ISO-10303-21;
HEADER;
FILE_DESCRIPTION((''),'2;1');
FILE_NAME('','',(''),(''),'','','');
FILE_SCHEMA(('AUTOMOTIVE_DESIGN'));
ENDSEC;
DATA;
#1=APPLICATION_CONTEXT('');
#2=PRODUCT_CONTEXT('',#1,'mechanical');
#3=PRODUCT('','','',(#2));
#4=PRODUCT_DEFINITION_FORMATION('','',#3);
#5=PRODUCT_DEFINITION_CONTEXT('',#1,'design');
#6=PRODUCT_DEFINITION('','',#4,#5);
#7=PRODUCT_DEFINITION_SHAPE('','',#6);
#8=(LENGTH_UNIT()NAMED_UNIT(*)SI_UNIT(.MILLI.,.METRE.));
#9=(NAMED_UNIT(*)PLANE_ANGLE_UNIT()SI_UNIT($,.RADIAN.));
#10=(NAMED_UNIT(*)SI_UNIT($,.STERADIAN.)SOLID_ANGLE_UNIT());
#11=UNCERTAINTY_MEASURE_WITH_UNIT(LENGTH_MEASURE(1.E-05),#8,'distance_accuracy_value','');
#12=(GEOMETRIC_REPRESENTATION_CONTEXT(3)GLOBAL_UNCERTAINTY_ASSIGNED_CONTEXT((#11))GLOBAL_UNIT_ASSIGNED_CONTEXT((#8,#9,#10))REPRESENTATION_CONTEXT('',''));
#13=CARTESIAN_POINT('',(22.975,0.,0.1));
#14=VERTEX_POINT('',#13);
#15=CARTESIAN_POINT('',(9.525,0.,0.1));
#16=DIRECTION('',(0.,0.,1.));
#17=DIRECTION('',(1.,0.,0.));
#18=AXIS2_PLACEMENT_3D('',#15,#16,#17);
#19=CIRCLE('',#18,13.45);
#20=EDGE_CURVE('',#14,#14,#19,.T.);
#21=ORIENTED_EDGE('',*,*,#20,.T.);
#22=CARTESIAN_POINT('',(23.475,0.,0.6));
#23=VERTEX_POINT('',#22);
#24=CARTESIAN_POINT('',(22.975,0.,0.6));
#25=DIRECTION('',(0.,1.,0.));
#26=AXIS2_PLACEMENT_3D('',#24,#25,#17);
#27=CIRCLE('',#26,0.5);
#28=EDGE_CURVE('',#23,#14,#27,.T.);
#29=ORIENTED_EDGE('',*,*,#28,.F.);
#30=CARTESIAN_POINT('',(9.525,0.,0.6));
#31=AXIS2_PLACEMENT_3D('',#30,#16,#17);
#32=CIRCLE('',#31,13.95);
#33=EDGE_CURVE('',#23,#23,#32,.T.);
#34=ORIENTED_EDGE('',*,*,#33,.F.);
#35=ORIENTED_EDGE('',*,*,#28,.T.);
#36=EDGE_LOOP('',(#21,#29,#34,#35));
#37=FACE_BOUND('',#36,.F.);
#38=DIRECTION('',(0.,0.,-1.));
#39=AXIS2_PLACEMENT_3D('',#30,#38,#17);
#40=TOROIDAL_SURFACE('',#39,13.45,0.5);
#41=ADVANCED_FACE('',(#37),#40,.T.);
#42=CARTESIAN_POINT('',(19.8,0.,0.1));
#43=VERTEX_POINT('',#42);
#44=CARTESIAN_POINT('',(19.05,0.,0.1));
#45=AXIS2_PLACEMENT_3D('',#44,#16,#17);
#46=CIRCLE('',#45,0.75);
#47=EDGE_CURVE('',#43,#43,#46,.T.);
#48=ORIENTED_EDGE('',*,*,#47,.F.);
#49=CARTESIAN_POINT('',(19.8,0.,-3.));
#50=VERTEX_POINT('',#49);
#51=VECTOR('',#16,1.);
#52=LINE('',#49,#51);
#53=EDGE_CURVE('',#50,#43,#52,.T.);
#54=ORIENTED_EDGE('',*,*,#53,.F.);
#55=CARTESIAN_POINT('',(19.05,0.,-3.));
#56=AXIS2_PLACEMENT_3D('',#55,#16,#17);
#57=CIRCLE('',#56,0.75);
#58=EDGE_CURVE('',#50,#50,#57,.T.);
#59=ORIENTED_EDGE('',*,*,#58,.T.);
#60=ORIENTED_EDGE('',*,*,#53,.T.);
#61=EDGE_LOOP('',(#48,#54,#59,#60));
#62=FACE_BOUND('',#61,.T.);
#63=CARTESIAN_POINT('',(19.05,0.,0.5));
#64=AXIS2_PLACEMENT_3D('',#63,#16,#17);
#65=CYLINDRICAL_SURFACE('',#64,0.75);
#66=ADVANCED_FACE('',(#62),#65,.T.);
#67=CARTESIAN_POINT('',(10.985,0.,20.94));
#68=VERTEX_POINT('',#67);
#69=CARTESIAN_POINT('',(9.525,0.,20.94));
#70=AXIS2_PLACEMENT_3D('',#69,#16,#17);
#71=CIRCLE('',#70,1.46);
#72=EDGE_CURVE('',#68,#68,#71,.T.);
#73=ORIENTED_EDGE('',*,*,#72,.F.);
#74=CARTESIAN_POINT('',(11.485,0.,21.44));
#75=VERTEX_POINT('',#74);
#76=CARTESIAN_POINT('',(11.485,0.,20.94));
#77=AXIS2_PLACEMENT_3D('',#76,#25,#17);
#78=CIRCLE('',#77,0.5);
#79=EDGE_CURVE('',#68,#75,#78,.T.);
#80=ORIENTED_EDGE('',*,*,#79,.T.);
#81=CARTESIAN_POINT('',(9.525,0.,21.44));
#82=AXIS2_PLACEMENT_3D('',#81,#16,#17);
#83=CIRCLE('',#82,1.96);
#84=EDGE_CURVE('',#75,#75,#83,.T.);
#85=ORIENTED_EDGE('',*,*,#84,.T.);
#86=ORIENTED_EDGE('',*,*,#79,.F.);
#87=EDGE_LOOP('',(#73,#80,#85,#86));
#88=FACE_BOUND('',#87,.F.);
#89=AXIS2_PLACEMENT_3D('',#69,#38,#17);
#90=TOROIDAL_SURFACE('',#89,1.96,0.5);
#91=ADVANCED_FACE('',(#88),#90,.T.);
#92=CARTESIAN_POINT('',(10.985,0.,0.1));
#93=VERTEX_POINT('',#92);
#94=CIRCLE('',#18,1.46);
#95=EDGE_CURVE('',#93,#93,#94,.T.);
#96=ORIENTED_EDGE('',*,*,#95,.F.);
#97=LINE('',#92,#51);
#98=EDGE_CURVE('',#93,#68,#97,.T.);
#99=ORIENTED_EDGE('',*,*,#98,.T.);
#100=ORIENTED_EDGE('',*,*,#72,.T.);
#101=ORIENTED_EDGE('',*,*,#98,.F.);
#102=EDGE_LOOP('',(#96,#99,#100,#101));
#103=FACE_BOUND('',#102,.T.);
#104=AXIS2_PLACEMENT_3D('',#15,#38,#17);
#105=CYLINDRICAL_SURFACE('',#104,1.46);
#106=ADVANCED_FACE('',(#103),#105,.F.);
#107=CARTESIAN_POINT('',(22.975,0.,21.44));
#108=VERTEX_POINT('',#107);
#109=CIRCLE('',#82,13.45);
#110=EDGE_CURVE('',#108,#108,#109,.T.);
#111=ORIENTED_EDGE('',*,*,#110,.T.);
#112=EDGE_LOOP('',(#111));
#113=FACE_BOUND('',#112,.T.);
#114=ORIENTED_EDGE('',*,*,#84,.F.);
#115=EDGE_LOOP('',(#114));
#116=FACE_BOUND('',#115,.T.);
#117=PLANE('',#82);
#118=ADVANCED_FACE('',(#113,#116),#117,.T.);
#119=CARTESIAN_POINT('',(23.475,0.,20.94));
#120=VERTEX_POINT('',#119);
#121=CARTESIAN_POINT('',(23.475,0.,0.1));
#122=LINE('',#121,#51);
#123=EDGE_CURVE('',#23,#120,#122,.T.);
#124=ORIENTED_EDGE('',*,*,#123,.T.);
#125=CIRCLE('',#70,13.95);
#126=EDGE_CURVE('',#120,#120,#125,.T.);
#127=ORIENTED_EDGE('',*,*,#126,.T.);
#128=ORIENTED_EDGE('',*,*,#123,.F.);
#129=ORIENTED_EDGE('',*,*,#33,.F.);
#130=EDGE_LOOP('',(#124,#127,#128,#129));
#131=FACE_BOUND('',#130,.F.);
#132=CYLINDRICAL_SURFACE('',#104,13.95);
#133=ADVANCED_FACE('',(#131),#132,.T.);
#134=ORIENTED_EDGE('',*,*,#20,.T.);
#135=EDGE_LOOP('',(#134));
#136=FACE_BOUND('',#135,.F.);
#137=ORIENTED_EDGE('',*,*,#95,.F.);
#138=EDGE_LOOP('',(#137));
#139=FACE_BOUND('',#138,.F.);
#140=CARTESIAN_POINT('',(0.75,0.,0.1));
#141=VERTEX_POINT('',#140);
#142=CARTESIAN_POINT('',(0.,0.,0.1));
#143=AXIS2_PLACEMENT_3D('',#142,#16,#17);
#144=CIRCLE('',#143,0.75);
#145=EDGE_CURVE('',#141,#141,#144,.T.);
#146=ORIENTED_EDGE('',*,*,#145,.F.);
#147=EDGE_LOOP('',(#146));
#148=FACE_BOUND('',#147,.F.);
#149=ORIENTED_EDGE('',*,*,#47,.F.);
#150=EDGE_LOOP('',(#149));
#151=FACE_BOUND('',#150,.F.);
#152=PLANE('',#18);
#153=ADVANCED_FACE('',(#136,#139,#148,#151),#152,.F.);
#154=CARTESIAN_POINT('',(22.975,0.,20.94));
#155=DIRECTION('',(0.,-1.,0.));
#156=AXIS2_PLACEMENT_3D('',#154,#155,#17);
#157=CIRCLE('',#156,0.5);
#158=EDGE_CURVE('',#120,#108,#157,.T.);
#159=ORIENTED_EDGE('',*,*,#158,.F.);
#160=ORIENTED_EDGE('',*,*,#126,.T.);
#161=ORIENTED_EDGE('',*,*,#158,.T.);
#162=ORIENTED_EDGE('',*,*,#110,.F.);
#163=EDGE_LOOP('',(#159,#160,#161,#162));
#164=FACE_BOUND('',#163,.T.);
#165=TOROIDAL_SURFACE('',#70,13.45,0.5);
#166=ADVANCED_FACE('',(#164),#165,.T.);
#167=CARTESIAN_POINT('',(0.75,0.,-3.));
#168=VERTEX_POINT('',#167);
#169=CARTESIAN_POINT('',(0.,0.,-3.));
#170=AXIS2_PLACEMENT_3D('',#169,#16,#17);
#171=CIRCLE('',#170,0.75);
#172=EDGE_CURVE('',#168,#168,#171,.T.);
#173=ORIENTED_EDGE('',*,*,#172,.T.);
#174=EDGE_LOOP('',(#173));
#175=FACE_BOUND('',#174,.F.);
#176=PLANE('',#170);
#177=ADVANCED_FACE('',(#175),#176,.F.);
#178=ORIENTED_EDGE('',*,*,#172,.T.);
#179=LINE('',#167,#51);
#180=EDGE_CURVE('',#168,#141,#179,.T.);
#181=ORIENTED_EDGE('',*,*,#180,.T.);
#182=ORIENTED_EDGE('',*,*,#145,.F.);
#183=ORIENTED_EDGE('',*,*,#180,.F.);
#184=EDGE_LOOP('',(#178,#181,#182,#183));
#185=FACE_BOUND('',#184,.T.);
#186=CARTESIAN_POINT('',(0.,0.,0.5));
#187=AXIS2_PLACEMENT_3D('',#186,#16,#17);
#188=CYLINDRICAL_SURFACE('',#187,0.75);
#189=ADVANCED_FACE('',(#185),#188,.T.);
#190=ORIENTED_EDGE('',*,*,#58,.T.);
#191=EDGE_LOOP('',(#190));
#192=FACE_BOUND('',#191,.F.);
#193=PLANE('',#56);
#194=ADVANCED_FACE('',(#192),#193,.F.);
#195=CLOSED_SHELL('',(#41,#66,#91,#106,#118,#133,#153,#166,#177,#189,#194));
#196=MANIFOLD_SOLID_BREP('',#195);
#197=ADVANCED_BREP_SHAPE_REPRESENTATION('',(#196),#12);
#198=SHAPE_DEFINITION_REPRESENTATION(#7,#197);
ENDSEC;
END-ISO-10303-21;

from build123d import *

# Parameters (mm, degrees)
SKETCH001_R       = 0.75
PAD001_DEPTH      = 10.67
PAD001_DEPTH_BACK = 3.5
SKETCH_R          = 13.95
SKETCH_R_2        = 1.46
PAD_DEPTH         = 21.34
FILLET_R          = 0.5


with BuildPart() as pad001:
    # Sketch001 → Pad001 (new body, two sides)
    with BuildSketch(Plane.XY.offset(0.5)) as pad001_sk:
        Circle(SKETCH001_R)
        with Locations((19.05, 0)):
            Circle(SKETCH001_R)
    extrude(amount=PAD001_DEPTH)
    extrude(pad001_sk.sketch, amount=-PAD001_DEPTH_BACK)


with BuildPart() as fillet_mp_cp:
    # Sketch → Pad (new body)
    with BuildSketch(Plane.XY.offset(0.1)):
        with Locations((9.525, 0)):
            Circle(SKETCH_R)
        with Locations((9.525, 0)):
            Circle(SKETCH_R_2, mode=Mode.SUBTRACT)
    extrude(amount=PAD_DEPTH)

    # Fillet
    fillet_edges = [fillet_mp_cp.edges().sort_by_distance(p)[0] for p in [
        (8.065, 0, 21.44),
        (-4.425, 0, 21.44),
        (-4.425, 0, 0.1),
    ]]
    fillet(fillet_edges, radius=FILLET_R)

    # Fillet_mp_cp: union Pad001
    add(pad001.part)


solid = fillet_mp_cp.part
